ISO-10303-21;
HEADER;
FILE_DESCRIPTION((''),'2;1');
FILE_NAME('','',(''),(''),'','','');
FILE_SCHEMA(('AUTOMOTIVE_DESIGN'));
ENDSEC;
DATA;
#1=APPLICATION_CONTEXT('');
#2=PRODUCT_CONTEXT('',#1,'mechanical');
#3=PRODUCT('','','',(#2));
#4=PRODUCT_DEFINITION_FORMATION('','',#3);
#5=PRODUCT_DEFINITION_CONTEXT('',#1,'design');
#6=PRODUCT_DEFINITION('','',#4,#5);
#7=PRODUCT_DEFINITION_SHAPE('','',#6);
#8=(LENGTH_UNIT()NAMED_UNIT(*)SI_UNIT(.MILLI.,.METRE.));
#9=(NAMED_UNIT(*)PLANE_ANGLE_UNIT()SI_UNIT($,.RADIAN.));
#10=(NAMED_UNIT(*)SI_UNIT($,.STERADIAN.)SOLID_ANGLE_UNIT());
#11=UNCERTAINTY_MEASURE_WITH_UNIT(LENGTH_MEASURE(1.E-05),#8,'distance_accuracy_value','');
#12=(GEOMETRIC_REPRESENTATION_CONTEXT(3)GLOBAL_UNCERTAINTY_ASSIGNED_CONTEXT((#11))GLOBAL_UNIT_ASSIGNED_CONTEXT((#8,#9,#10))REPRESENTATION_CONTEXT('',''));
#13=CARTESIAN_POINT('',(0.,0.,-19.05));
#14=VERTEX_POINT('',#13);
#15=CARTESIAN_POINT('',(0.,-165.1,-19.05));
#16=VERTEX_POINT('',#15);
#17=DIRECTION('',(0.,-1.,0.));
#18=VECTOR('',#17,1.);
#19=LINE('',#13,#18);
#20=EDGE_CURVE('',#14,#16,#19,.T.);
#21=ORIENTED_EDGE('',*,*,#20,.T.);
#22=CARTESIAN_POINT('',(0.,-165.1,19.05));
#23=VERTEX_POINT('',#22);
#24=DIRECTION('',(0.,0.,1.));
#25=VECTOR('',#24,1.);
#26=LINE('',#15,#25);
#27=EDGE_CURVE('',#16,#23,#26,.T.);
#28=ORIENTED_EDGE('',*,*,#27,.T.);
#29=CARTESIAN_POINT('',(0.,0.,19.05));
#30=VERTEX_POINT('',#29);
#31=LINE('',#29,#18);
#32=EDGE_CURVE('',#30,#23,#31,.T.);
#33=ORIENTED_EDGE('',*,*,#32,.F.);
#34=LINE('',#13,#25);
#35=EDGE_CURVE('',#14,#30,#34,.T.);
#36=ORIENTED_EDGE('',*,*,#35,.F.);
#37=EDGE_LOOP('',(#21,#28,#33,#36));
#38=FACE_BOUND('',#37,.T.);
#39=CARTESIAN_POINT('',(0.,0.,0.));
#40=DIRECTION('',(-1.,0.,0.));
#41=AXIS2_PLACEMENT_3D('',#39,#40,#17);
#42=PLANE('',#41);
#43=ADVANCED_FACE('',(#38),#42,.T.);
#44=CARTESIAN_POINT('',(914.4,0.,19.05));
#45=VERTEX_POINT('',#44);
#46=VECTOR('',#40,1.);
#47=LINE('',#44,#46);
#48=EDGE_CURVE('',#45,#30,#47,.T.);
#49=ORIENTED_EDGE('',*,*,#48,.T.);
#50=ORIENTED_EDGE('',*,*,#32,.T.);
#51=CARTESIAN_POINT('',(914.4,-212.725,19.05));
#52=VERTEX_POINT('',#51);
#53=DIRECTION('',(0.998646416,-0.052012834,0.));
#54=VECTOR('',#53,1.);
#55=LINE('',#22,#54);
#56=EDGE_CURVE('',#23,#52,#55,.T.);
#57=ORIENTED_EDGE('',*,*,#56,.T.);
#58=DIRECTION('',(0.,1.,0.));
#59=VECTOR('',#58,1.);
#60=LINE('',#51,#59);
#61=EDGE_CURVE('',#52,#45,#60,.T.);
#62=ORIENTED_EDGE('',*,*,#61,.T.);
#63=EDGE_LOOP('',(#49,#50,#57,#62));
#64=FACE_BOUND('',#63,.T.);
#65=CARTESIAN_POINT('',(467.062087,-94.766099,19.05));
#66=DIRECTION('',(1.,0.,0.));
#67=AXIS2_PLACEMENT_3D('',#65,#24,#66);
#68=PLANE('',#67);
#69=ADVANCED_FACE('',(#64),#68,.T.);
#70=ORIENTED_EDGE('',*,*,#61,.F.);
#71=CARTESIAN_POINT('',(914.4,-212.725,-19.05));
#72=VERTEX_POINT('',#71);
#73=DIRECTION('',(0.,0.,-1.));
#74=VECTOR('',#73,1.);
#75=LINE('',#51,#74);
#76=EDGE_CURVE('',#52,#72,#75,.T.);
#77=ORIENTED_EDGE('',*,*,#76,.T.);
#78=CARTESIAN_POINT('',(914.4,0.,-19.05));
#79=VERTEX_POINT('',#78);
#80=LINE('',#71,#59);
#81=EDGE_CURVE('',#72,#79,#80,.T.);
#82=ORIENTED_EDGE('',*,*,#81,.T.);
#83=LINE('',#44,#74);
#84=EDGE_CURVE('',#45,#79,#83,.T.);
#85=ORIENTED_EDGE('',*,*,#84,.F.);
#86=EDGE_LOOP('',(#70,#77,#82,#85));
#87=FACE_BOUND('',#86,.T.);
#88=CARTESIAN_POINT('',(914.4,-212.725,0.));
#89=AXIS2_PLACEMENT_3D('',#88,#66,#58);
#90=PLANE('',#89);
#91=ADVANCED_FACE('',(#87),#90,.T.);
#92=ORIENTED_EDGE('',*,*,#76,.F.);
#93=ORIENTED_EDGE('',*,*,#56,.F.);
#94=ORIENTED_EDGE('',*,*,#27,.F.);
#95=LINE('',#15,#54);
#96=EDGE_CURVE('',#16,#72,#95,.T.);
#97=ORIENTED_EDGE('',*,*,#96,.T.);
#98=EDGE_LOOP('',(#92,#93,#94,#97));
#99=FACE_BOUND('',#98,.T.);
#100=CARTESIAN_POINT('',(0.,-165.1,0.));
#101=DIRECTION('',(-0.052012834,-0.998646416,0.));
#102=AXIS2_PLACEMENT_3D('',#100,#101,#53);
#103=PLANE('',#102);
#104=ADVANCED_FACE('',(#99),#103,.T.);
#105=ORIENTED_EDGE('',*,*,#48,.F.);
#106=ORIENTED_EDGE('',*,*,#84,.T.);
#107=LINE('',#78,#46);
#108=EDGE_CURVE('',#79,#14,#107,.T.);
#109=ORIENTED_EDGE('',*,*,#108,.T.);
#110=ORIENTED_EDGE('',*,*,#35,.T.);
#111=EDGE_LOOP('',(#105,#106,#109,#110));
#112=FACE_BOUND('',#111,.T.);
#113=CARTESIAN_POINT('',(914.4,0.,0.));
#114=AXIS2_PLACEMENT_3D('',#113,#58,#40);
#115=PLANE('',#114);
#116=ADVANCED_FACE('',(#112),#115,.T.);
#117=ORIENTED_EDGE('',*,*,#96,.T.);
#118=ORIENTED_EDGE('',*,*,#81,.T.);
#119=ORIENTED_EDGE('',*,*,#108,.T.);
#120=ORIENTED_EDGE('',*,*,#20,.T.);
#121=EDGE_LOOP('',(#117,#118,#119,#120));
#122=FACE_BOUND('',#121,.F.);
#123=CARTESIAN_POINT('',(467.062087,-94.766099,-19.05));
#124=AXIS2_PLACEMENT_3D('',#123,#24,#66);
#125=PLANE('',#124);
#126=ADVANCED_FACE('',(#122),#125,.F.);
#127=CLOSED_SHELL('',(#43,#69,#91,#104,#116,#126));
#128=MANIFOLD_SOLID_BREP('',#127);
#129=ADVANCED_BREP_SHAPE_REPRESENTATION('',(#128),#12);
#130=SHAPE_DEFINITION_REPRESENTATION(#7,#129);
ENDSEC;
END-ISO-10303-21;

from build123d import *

# Parameters (mm, degrees)
F1_DEPTH = 19.05


with BuildPart() as f1:
    # F0 (on Top) → F1 (new body, symmetric)
    with BuildSketch(Plane.XY):
        Polygon((914.4, 0), (0, 0), (0, -165.1), (914.4, -212.725), align=None)
    extrude(amount=F1_DEPTH, both=True)


solid = f1.part
